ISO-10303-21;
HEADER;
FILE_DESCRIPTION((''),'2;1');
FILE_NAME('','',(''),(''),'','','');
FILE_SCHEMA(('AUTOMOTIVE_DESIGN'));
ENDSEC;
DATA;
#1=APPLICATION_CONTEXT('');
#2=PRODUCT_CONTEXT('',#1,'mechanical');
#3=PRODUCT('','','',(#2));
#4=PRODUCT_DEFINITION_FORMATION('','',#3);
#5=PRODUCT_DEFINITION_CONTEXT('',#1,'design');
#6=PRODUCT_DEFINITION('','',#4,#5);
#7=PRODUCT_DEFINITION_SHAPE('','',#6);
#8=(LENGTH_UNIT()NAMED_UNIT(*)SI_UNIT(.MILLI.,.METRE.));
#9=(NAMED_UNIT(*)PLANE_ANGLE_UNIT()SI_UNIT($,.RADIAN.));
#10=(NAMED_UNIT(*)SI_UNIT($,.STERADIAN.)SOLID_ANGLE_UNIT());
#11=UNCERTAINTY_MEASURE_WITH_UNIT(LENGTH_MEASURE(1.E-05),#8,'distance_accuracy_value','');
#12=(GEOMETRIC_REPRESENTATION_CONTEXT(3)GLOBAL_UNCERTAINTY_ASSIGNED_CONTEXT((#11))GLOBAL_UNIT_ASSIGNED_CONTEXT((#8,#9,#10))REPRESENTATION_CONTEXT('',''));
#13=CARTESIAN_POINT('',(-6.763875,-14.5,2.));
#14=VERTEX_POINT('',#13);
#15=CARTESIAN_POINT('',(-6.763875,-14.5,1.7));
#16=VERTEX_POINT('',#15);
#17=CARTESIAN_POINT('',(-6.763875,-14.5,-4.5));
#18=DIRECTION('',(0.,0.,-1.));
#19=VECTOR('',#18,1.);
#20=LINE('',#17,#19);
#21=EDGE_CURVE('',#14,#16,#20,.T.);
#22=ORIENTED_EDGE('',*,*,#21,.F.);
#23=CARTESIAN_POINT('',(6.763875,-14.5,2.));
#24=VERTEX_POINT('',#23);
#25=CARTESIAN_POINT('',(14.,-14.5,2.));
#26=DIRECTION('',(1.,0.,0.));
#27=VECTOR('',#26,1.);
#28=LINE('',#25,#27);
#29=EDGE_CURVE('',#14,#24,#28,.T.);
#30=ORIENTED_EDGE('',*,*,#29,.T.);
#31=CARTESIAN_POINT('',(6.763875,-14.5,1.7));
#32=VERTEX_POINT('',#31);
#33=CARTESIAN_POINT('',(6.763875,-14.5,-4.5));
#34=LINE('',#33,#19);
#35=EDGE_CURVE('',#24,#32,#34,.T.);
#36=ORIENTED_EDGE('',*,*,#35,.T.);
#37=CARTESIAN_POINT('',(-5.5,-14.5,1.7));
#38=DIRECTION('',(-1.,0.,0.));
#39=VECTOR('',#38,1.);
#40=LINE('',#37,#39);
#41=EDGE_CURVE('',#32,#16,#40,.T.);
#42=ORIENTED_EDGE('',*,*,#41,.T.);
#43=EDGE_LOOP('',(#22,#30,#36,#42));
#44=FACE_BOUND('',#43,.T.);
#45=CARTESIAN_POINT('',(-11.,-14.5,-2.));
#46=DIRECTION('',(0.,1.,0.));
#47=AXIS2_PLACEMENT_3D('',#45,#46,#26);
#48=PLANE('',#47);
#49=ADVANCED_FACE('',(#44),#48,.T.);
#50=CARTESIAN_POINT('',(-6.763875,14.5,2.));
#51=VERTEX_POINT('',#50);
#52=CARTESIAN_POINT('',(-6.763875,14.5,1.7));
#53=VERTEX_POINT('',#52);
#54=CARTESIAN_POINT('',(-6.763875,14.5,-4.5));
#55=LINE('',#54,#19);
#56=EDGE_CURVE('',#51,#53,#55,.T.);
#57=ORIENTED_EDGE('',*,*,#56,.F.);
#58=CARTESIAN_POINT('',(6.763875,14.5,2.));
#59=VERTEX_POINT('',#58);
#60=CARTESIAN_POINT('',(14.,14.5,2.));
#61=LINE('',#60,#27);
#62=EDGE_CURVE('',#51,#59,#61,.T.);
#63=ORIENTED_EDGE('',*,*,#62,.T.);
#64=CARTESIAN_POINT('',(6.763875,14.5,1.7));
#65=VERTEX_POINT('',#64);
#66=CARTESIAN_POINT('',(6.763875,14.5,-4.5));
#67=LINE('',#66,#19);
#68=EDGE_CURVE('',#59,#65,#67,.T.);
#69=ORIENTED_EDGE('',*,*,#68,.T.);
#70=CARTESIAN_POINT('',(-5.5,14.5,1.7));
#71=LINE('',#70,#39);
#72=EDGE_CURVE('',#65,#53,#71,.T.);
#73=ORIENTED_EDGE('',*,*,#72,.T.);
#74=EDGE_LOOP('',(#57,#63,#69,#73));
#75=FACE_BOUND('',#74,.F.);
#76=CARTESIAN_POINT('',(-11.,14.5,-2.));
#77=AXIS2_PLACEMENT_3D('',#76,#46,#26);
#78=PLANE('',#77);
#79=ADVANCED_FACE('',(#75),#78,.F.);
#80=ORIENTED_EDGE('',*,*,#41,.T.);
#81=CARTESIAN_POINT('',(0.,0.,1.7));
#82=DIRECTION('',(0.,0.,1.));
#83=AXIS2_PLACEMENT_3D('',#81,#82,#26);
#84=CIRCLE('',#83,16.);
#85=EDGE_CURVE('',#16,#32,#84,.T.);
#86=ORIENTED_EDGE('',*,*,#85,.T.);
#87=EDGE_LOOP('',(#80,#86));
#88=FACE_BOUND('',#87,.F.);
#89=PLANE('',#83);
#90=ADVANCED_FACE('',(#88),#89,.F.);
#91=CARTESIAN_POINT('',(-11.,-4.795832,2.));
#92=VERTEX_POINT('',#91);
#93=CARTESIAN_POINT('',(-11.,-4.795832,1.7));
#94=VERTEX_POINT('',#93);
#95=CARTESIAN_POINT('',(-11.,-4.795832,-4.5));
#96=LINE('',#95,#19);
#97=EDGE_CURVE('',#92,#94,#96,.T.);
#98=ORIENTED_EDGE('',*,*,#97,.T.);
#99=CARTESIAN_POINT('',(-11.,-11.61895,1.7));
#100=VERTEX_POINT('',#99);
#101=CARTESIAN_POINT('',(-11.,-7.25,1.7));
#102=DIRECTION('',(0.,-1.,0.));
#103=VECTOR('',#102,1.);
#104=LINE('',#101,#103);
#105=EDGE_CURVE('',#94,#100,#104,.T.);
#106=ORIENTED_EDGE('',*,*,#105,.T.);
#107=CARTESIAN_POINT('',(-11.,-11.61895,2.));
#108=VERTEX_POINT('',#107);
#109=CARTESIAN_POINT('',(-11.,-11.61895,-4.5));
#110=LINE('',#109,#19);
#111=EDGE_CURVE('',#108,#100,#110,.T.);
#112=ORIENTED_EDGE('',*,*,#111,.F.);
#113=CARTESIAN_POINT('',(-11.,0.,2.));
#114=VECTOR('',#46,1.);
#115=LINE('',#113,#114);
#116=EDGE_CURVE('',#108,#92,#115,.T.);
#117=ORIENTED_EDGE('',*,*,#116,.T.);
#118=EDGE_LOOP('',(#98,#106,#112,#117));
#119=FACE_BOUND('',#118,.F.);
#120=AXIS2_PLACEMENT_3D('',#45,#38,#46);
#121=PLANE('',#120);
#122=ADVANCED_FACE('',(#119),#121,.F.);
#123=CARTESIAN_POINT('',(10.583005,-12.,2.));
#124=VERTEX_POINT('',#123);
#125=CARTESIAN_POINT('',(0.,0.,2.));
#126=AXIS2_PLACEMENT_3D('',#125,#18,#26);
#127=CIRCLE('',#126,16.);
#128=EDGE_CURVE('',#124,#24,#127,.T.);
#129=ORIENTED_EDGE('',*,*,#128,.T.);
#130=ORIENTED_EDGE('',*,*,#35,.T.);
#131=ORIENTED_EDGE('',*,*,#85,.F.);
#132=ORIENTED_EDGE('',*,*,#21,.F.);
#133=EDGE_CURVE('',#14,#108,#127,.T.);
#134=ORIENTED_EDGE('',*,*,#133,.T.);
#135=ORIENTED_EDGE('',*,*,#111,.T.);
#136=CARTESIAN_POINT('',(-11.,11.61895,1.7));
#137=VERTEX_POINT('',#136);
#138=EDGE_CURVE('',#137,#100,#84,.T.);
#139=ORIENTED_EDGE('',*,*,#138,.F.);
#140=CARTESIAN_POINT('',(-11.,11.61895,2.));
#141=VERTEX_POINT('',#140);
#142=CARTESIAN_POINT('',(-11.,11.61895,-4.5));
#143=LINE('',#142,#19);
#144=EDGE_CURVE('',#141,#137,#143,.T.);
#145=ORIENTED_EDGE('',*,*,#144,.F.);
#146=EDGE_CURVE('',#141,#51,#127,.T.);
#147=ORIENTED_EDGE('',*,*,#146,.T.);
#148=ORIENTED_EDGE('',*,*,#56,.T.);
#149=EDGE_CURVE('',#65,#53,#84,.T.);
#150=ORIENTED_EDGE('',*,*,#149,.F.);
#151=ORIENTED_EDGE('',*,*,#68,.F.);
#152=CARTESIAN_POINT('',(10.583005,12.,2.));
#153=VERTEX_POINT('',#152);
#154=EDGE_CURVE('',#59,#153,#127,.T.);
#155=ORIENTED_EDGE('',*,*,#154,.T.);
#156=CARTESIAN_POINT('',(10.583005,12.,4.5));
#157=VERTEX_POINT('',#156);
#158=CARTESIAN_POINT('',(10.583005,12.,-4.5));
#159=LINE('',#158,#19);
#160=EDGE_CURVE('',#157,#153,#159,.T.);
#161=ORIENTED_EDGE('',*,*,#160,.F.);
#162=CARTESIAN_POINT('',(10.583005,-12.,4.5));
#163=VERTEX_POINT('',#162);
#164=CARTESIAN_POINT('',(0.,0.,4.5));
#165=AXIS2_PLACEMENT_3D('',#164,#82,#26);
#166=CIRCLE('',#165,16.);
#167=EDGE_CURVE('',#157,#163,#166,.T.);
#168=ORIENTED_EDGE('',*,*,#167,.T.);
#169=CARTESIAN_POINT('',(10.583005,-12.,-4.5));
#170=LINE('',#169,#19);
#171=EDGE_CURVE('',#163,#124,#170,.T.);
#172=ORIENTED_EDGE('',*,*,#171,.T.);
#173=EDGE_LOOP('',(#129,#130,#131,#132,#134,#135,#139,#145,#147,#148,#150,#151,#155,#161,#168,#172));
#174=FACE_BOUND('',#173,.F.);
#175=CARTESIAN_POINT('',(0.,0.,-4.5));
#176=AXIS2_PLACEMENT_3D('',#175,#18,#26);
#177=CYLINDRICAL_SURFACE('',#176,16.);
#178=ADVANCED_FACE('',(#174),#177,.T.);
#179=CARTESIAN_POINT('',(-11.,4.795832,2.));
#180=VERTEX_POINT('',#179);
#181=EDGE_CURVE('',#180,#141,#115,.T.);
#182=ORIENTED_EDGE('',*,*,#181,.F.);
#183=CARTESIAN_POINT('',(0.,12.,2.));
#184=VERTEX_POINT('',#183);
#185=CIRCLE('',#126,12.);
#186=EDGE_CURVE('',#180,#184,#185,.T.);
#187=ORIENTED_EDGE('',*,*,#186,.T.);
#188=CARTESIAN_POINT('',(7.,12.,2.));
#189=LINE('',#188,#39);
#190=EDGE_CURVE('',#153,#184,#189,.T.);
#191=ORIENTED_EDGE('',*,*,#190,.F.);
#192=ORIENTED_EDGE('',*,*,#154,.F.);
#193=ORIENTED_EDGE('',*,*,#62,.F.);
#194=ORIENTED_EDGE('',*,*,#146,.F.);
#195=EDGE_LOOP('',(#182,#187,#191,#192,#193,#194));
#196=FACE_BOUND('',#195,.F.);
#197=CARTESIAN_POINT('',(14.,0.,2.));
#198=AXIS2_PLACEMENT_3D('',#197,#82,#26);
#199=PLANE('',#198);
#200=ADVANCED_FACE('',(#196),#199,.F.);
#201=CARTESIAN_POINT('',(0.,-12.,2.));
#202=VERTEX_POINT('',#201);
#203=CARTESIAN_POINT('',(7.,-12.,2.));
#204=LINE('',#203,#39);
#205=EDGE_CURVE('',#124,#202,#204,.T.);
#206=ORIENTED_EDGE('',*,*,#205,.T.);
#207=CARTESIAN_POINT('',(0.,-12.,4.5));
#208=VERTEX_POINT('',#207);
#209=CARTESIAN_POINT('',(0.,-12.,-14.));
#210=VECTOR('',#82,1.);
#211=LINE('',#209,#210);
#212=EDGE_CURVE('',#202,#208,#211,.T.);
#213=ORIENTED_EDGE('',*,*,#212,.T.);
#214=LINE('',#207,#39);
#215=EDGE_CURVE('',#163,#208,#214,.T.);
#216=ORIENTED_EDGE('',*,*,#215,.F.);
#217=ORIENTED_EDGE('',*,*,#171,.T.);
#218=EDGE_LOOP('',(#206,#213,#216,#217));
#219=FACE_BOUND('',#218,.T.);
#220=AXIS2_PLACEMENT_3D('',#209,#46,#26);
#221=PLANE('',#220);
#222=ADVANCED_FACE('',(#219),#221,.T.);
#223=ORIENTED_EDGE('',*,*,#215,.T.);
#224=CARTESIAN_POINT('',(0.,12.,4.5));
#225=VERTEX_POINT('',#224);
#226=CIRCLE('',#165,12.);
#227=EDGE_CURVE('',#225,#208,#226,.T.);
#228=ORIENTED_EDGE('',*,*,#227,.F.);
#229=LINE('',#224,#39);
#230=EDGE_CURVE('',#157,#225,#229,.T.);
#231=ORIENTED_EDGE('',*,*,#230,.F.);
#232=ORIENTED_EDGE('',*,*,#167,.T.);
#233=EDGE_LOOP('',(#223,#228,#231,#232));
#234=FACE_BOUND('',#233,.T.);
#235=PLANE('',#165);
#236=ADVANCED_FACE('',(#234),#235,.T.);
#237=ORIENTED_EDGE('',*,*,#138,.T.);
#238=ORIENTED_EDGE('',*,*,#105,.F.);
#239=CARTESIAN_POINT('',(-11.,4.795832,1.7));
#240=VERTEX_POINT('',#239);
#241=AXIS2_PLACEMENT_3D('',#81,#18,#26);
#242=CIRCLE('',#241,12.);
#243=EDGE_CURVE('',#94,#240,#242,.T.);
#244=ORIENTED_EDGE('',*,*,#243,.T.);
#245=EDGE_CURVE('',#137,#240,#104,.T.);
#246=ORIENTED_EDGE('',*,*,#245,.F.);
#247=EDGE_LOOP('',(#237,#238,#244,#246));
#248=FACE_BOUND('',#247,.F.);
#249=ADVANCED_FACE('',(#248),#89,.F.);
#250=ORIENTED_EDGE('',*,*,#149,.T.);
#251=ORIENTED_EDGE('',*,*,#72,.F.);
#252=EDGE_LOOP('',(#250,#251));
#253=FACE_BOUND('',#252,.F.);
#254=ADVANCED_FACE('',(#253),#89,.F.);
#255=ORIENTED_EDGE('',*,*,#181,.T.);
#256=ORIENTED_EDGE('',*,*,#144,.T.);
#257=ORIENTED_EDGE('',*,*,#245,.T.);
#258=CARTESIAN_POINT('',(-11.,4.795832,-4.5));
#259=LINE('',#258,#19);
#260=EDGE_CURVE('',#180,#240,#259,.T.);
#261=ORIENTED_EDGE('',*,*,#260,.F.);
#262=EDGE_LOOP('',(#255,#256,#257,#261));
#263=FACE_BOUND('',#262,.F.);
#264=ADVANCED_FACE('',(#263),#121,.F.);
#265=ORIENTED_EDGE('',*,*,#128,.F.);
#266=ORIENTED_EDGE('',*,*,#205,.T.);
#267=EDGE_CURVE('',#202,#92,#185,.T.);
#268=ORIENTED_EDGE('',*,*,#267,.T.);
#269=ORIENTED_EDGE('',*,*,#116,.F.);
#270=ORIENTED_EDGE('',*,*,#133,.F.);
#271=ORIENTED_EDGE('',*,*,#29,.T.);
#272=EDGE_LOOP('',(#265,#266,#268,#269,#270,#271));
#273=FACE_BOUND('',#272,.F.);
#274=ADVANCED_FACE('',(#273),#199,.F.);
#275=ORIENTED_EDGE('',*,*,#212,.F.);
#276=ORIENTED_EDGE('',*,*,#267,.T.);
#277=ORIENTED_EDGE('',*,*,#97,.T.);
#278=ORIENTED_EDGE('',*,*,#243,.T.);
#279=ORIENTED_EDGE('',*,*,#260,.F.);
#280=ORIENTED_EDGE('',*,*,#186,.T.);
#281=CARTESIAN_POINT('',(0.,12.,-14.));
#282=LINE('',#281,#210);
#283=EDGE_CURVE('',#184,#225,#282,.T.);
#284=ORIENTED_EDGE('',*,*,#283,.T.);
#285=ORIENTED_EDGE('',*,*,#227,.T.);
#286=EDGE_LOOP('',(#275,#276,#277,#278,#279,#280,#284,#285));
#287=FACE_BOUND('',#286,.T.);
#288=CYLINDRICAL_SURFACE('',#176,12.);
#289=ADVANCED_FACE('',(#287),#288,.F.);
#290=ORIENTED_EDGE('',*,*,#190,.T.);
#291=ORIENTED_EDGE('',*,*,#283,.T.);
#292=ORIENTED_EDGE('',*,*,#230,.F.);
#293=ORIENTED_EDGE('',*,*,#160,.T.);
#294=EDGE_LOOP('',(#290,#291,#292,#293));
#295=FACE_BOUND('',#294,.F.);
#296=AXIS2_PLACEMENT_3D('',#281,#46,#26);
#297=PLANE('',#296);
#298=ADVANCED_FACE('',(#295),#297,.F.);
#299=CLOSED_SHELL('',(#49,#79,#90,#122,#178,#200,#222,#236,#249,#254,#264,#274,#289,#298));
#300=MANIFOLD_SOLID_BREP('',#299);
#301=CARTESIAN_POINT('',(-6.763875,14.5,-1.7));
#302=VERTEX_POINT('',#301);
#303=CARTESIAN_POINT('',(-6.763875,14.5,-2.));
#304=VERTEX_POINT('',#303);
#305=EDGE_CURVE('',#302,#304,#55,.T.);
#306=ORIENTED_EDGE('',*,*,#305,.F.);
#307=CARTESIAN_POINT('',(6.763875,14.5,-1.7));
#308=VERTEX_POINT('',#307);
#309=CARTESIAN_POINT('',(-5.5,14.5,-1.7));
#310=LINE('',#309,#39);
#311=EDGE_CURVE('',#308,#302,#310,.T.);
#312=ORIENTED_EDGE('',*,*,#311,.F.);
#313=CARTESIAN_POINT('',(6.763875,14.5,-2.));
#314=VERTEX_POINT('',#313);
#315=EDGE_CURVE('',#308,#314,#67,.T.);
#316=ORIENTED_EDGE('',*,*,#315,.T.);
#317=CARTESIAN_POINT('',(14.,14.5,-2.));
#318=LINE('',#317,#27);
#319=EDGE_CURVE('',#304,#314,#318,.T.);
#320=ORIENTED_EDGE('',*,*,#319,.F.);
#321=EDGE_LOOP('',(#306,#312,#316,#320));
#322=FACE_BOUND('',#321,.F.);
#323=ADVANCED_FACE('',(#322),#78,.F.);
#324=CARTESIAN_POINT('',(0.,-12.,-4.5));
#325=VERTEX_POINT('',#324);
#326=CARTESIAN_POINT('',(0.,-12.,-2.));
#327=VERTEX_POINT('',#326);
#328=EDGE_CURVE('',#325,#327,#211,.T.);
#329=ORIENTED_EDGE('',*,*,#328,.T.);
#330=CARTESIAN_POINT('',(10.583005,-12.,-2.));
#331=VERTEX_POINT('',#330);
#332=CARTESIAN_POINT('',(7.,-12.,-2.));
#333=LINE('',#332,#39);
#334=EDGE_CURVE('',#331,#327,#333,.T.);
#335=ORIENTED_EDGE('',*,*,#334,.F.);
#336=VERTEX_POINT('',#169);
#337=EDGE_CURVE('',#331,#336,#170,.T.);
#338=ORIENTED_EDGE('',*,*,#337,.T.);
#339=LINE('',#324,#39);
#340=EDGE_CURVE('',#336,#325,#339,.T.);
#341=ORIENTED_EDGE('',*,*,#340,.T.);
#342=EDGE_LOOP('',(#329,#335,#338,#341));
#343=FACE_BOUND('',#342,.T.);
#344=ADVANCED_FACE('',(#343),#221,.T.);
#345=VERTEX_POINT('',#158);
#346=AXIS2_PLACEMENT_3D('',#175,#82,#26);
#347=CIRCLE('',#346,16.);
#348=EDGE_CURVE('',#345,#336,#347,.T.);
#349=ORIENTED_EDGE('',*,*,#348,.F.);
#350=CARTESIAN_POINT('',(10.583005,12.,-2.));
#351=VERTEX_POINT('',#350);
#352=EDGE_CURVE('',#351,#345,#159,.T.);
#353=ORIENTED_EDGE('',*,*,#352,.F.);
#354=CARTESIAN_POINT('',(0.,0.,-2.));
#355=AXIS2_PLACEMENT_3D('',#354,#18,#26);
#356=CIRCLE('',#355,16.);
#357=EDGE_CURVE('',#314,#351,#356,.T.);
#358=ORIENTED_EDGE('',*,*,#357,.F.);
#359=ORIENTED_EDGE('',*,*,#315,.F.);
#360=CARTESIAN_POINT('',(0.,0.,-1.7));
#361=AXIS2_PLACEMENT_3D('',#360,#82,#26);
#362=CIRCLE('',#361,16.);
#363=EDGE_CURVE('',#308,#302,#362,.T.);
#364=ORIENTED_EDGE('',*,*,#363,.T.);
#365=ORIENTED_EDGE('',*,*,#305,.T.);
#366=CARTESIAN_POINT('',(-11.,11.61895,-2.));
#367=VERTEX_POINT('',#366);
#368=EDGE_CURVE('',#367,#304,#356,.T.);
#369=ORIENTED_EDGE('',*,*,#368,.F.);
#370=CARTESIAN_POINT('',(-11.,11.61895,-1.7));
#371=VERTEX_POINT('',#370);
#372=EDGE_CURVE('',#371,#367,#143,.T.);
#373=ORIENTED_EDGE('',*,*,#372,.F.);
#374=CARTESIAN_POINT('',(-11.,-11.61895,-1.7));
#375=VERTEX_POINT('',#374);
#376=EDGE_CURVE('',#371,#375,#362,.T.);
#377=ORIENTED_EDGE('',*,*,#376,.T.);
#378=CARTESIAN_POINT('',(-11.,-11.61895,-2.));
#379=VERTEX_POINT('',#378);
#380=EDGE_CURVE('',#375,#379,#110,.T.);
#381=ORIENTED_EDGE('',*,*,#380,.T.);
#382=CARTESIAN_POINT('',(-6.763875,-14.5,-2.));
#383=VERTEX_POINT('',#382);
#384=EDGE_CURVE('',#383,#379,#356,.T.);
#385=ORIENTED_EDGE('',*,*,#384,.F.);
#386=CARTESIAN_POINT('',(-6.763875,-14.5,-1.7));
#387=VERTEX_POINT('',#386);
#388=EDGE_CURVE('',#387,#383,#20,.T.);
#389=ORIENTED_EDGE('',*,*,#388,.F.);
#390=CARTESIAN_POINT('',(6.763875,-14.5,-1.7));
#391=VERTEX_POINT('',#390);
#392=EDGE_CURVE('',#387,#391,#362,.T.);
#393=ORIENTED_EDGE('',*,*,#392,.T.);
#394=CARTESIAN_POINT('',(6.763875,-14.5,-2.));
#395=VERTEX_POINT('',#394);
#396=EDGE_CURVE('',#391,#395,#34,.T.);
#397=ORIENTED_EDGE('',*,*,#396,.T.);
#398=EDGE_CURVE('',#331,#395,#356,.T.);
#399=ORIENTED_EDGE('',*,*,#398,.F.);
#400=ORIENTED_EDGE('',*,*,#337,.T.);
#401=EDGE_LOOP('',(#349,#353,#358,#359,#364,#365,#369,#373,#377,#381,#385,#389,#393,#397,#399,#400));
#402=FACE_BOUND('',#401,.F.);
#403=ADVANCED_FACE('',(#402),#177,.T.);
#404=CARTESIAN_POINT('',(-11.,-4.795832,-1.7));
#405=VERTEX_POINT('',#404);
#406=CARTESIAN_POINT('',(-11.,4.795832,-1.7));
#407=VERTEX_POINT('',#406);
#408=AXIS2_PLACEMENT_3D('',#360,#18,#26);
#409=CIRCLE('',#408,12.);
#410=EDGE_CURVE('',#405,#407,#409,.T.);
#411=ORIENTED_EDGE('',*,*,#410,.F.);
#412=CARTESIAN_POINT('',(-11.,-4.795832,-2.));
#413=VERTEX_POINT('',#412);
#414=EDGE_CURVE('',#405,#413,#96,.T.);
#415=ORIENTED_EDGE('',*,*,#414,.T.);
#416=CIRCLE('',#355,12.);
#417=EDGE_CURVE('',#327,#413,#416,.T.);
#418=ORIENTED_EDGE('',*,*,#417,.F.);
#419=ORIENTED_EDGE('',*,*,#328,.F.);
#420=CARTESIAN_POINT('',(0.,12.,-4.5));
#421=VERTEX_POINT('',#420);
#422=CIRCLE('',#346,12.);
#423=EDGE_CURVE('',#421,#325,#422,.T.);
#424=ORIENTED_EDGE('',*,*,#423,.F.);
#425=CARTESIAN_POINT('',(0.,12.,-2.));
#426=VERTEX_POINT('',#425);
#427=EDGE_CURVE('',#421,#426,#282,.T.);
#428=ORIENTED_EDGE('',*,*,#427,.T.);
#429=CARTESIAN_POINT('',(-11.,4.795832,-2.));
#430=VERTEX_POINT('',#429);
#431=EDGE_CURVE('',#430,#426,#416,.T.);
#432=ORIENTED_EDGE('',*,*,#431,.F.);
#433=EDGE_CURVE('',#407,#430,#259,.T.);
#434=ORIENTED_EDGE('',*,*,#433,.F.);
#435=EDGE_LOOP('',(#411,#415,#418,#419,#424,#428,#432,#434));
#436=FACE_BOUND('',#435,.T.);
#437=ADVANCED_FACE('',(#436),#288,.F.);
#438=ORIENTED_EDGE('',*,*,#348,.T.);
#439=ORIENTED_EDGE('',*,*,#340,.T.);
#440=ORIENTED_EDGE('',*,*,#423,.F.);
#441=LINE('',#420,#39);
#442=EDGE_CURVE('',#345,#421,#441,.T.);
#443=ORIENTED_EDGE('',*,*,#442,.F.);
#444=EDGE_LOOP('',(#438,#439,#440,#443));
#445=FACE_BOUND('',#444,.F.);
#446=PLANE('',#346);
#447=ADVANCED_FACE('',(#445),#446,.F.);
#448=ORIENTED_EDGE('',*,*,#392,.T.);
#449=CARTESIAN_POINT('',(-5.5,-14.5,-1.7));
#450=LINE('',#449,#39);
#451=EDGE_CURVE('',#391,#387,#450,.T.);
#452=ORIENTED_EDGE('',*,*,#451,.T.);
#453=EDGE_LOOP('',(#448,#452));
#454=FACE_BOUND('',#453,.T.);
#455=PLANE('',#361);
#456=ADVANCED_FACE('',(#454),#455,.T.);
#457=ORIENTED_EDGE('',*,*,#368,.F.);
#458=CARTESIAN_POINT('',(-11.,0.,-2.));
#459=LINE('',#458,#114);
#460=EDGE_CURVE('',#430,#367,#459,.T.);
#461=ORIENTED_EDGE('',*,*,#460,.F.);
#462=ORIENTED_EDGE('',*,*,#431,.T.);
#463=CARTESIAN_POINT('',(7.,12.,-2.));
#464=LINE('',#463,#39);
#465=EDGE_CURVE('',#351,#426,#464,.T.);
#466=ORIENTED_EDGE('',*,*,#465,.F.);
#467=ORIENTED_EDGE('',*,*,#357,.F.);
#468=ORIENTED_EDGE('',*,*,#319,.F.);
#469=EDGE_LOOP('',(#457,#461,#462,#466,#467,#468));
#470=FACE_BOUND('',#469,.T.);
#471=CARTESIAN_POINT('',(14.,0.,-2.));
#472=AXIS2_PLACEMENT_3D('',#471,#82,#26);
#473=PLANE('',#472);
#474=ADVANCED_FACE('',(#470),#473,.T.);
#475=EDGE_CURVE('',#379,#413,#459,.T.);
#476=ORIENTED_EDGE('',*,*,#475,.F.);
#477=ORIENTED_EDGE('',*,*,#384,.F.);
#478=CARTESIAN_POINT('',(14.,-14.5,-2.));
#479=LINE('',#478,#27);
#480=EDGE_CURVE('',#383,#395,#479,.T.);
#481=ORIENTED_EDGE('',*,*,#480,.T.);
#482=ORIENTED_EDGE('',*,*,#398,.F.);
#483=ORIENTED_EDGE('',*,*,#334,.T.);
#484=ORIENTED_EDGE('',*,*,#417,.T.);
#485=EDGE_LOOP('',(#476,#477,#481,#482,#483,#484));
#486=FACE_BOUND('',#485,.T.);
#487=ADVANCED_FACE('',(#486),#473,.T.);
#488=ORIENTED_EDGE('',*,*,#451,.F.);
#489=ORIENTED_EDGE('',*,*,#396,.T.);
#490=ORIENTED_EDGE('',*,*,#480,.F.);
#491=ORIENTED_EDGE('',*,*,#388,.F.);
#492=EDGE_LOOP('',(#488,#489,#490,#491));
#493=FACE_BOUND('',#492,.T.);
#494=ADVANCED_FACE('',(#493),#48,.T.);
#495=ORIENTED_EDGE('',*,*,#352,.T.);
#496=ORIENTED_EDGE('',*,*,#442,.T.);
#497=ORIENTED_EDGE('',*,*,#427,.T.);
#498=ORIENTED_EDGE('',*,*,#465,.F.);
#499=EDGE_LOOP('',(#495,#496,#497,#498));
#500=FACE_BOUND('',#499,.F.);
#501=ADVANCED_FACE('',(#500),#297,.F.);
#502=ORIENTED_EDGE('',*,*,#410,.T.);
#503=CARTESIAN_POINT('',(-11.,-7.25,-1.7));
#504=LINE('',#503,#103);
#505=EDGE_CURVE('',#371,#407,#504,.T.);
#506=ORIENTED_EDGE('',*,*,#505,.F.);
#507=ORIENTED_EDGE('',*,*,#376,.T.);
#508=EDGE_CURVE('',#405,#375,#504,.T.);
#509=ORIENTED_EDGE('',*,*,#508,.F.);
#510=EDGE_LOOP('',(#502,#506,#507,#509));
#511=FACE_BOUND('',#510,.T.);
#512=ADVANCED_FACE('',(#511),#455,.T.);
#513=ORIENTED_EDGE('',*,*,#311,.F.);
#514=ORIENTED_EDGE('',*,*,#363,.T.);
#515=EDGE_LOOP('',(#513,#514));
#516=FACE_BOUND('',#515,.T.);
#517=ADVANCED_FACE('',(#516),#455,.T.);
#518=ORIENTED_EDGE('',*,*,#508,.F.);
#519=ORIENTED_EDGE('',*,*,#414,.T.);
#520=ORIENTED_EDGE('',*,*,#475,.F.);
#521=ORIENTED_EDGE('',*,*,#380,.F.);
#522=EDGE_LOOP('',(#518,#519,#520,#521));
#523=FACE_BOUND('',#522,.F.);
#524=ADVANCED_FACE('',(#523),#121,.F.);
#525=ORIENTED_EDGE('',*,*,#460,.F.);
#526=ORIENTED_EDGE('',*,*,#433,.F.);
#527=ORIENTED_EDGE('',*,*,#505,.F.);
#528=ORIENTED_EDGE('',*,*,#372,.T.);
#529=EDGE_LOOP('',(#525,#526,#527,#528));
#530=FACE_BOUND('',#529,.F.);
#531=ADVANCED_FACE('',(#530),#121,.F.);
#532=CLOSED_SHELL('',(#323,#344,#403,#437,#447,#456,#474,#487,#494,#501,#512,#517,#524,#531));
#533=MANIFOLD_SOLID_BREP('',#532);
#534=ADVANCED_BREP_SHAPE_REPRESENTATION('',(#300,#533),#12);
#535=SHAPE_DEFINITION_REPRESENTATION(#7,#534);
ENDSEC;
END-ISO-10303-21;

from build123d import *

# Parameters (mm, degrees)
BOX002_W          = 50
BOX002_H          = 29
BOX002_DEPTH      = 4
BOX003_W          = 58
BOX003_H          = 24
BOX003_DEPTH      = 30
CYLINDER002_R     = 12
CYLINDER002_DEPTH = 9
CYLINDER_R        = 16
CYLINDER_DEPTH    = 3.4
CYLINDER001_R     = 16
CYLINDER001_DEPTH = 9


with BuildPart() as inner_lens_extraction_cube:
    # Box002 → Box002 (new body)
    with BuildSketch(Plane(origin=(-11, -14.5, -2), x_dir=(1, 0, 0), z_dir=(0, 0, 1))):
        with Locations((25, 14.5)):
            Rectangle(BOX002_W, BOX002_H)
    extrude(amount=BOX002_DEPTH)


with BuildPart() as inner_cut_cube001:
    # Box003 → Box003 (new body)
    with BuildSketch(Plane(origin=(0, -12, -14), x_dir=(1, 0, 0), z_dir=(0, 0, 1))):
        with Locations((29, 12)):
            Rectangle(BOX003_W, BOX003_H)
    extrude(amount=BOX003_DEPTH)


with BuildPart() as lens_hole002:
    # Cylinder002 → Cylinder002 (new body)
    with BuildSketch(Plane.XY.offset(-4.5)):
        Circle(CYLINDER002_R)
    extrude(amount=CYLINDER002_DEPTH)


with BuildPart() as another_cut_fusion:
    # Cylinder → Cylinder (new body)
    with BuildSketch(Plane.XY.offset(-1.7)):
        Circle(CYLINDER_R)
    extrude(amount=CYLINDER_DEPTH)

    # Fusion001: union inner lens extraction cube, inner cut cube001, lens hole002
    add(inner_lens_extraction_cube.part)
    add(inner_cut_cube001.part)
    add(lens_hole002.part)


with BuildPart() as cut001:
    # Cylinder001 → Cylinder001 (new body)
    with BuildSketch(Plane.XY.offset(-4.5)):
        Circle(CYLINDER001_R)
    extrude(amount=CYLINDER001_DEPTH)

    # Cut001: cut another cut fusion
    add(another_cut_fusion.part, mode=Mode.SUBTRACT)


solid = cut001.part
